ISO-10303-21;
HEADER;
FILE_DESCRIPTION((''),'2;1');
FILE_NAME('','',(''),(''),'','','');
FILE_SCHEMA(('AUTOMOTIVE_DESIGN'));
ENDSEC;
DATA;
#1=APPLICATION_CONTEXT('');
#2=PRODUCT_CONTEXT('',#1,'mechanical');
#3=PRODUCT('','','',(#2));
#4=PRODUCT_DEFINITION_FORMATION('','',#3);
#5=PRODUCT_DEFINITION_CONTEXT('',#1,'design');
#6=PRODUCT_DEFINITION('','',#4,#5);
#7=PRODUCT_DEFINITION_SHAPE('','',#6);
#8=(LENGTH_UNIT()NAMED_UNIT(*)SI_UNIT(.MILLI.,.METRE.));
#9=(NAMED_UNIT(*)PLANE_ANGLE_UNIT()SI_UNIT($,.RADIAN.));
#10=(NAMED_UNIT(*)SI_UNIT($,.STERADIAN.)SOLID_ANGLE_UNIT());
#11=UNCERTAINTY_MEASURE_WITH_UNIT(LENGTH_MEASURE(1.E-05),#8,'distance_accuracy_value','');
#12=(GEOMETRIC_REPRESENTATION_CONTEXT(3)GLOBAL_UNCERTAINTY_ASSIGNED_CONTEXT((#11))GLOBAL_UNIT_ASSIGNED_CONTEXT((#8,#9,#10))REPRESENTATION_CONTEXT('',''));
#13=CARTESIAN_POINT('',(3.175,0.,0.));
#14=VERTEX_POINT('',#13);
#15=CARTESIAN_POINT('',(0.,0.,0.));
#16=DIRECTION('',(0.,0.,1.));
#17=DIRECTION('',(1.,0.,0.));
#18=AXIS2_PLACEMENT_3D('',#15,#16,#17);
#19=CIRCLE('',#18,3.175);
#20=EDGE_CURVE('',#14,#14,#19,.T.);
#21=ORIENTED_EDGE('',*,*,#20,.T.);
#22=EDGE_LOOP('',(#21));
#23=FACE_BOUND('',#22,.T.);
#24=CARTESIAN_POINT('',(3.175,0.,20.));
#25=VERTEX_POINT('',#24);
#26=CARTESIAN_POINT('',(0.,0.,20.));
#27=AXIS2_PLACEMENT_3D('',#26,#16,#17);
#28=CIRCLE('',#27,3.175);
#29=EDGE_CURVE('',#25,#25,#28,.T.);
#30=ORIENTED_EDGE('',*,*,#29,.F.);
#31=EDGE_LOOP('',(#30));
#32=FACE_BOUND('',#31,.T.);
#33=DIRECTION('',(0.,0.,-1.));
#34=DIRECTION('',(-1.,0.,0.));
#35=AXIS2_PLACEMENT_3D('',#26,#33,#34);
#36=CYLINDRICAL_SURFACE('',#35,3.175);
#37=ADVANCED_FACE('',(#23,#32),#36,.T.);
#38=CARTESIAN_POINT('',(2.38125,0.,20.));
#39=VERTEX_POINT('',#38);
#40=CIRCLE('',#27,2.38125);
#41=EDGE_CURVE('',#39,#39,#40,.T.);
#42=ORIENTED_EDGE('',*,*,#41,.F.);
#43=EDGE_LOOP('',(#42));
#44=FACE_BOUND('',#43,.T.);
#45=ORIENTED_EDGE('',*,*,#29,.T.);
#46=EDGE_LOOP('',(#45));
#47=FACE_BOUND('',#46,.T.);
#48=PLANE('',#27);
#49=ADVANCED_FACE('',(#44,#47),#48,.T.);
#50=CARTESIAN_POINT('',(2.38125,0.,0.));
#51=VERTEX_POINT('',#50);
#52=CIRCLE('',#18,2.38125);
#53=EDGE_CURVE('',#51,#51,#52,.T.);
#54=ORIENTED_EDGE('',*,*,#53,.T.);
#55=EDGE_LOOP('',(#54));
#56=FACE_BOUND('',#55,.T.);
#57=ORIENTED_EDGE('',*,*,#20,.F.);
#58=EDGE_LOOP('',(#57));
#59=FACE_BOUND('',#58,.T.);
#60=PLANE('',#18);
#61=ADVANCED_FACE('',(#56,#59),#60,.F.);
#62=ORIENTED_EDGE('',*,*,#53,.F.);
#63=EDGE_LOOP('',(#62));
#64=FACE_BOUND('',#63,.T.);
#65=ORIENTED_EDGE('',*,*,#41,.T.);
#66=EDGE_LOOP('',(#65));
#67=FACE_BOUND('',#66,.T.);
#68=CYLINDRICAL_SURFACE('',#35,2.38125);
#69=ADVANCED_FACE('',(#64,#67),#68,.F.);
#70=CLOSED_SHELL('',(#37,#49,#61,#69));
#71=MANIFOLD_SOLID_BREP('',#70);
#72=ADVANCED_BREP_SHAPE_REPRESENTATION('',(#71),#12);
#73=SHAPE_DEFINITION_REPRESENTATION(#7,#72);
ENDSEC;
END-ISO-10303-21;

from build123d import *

# Parameters (mm, degrees)
ESBO_O1_R                = 3.175
ESBO_O1_R_2              = 2.38125
RESSALTO_EXTRUS_O1_DEPTH = 20


with BuildPart() as part:
    # Esboço1 → Ressalto-extrusão1 (new body)
    with BuildSketch(Plane.XY):
        Circle(ESBO_O1_R)
        Circle(ESBO_O1_R_2, mode=Mode.SUBTRACT)
    extrude(amount=RESSALTO_EXTRUS_O1_DEPTH)


solid = part.part
